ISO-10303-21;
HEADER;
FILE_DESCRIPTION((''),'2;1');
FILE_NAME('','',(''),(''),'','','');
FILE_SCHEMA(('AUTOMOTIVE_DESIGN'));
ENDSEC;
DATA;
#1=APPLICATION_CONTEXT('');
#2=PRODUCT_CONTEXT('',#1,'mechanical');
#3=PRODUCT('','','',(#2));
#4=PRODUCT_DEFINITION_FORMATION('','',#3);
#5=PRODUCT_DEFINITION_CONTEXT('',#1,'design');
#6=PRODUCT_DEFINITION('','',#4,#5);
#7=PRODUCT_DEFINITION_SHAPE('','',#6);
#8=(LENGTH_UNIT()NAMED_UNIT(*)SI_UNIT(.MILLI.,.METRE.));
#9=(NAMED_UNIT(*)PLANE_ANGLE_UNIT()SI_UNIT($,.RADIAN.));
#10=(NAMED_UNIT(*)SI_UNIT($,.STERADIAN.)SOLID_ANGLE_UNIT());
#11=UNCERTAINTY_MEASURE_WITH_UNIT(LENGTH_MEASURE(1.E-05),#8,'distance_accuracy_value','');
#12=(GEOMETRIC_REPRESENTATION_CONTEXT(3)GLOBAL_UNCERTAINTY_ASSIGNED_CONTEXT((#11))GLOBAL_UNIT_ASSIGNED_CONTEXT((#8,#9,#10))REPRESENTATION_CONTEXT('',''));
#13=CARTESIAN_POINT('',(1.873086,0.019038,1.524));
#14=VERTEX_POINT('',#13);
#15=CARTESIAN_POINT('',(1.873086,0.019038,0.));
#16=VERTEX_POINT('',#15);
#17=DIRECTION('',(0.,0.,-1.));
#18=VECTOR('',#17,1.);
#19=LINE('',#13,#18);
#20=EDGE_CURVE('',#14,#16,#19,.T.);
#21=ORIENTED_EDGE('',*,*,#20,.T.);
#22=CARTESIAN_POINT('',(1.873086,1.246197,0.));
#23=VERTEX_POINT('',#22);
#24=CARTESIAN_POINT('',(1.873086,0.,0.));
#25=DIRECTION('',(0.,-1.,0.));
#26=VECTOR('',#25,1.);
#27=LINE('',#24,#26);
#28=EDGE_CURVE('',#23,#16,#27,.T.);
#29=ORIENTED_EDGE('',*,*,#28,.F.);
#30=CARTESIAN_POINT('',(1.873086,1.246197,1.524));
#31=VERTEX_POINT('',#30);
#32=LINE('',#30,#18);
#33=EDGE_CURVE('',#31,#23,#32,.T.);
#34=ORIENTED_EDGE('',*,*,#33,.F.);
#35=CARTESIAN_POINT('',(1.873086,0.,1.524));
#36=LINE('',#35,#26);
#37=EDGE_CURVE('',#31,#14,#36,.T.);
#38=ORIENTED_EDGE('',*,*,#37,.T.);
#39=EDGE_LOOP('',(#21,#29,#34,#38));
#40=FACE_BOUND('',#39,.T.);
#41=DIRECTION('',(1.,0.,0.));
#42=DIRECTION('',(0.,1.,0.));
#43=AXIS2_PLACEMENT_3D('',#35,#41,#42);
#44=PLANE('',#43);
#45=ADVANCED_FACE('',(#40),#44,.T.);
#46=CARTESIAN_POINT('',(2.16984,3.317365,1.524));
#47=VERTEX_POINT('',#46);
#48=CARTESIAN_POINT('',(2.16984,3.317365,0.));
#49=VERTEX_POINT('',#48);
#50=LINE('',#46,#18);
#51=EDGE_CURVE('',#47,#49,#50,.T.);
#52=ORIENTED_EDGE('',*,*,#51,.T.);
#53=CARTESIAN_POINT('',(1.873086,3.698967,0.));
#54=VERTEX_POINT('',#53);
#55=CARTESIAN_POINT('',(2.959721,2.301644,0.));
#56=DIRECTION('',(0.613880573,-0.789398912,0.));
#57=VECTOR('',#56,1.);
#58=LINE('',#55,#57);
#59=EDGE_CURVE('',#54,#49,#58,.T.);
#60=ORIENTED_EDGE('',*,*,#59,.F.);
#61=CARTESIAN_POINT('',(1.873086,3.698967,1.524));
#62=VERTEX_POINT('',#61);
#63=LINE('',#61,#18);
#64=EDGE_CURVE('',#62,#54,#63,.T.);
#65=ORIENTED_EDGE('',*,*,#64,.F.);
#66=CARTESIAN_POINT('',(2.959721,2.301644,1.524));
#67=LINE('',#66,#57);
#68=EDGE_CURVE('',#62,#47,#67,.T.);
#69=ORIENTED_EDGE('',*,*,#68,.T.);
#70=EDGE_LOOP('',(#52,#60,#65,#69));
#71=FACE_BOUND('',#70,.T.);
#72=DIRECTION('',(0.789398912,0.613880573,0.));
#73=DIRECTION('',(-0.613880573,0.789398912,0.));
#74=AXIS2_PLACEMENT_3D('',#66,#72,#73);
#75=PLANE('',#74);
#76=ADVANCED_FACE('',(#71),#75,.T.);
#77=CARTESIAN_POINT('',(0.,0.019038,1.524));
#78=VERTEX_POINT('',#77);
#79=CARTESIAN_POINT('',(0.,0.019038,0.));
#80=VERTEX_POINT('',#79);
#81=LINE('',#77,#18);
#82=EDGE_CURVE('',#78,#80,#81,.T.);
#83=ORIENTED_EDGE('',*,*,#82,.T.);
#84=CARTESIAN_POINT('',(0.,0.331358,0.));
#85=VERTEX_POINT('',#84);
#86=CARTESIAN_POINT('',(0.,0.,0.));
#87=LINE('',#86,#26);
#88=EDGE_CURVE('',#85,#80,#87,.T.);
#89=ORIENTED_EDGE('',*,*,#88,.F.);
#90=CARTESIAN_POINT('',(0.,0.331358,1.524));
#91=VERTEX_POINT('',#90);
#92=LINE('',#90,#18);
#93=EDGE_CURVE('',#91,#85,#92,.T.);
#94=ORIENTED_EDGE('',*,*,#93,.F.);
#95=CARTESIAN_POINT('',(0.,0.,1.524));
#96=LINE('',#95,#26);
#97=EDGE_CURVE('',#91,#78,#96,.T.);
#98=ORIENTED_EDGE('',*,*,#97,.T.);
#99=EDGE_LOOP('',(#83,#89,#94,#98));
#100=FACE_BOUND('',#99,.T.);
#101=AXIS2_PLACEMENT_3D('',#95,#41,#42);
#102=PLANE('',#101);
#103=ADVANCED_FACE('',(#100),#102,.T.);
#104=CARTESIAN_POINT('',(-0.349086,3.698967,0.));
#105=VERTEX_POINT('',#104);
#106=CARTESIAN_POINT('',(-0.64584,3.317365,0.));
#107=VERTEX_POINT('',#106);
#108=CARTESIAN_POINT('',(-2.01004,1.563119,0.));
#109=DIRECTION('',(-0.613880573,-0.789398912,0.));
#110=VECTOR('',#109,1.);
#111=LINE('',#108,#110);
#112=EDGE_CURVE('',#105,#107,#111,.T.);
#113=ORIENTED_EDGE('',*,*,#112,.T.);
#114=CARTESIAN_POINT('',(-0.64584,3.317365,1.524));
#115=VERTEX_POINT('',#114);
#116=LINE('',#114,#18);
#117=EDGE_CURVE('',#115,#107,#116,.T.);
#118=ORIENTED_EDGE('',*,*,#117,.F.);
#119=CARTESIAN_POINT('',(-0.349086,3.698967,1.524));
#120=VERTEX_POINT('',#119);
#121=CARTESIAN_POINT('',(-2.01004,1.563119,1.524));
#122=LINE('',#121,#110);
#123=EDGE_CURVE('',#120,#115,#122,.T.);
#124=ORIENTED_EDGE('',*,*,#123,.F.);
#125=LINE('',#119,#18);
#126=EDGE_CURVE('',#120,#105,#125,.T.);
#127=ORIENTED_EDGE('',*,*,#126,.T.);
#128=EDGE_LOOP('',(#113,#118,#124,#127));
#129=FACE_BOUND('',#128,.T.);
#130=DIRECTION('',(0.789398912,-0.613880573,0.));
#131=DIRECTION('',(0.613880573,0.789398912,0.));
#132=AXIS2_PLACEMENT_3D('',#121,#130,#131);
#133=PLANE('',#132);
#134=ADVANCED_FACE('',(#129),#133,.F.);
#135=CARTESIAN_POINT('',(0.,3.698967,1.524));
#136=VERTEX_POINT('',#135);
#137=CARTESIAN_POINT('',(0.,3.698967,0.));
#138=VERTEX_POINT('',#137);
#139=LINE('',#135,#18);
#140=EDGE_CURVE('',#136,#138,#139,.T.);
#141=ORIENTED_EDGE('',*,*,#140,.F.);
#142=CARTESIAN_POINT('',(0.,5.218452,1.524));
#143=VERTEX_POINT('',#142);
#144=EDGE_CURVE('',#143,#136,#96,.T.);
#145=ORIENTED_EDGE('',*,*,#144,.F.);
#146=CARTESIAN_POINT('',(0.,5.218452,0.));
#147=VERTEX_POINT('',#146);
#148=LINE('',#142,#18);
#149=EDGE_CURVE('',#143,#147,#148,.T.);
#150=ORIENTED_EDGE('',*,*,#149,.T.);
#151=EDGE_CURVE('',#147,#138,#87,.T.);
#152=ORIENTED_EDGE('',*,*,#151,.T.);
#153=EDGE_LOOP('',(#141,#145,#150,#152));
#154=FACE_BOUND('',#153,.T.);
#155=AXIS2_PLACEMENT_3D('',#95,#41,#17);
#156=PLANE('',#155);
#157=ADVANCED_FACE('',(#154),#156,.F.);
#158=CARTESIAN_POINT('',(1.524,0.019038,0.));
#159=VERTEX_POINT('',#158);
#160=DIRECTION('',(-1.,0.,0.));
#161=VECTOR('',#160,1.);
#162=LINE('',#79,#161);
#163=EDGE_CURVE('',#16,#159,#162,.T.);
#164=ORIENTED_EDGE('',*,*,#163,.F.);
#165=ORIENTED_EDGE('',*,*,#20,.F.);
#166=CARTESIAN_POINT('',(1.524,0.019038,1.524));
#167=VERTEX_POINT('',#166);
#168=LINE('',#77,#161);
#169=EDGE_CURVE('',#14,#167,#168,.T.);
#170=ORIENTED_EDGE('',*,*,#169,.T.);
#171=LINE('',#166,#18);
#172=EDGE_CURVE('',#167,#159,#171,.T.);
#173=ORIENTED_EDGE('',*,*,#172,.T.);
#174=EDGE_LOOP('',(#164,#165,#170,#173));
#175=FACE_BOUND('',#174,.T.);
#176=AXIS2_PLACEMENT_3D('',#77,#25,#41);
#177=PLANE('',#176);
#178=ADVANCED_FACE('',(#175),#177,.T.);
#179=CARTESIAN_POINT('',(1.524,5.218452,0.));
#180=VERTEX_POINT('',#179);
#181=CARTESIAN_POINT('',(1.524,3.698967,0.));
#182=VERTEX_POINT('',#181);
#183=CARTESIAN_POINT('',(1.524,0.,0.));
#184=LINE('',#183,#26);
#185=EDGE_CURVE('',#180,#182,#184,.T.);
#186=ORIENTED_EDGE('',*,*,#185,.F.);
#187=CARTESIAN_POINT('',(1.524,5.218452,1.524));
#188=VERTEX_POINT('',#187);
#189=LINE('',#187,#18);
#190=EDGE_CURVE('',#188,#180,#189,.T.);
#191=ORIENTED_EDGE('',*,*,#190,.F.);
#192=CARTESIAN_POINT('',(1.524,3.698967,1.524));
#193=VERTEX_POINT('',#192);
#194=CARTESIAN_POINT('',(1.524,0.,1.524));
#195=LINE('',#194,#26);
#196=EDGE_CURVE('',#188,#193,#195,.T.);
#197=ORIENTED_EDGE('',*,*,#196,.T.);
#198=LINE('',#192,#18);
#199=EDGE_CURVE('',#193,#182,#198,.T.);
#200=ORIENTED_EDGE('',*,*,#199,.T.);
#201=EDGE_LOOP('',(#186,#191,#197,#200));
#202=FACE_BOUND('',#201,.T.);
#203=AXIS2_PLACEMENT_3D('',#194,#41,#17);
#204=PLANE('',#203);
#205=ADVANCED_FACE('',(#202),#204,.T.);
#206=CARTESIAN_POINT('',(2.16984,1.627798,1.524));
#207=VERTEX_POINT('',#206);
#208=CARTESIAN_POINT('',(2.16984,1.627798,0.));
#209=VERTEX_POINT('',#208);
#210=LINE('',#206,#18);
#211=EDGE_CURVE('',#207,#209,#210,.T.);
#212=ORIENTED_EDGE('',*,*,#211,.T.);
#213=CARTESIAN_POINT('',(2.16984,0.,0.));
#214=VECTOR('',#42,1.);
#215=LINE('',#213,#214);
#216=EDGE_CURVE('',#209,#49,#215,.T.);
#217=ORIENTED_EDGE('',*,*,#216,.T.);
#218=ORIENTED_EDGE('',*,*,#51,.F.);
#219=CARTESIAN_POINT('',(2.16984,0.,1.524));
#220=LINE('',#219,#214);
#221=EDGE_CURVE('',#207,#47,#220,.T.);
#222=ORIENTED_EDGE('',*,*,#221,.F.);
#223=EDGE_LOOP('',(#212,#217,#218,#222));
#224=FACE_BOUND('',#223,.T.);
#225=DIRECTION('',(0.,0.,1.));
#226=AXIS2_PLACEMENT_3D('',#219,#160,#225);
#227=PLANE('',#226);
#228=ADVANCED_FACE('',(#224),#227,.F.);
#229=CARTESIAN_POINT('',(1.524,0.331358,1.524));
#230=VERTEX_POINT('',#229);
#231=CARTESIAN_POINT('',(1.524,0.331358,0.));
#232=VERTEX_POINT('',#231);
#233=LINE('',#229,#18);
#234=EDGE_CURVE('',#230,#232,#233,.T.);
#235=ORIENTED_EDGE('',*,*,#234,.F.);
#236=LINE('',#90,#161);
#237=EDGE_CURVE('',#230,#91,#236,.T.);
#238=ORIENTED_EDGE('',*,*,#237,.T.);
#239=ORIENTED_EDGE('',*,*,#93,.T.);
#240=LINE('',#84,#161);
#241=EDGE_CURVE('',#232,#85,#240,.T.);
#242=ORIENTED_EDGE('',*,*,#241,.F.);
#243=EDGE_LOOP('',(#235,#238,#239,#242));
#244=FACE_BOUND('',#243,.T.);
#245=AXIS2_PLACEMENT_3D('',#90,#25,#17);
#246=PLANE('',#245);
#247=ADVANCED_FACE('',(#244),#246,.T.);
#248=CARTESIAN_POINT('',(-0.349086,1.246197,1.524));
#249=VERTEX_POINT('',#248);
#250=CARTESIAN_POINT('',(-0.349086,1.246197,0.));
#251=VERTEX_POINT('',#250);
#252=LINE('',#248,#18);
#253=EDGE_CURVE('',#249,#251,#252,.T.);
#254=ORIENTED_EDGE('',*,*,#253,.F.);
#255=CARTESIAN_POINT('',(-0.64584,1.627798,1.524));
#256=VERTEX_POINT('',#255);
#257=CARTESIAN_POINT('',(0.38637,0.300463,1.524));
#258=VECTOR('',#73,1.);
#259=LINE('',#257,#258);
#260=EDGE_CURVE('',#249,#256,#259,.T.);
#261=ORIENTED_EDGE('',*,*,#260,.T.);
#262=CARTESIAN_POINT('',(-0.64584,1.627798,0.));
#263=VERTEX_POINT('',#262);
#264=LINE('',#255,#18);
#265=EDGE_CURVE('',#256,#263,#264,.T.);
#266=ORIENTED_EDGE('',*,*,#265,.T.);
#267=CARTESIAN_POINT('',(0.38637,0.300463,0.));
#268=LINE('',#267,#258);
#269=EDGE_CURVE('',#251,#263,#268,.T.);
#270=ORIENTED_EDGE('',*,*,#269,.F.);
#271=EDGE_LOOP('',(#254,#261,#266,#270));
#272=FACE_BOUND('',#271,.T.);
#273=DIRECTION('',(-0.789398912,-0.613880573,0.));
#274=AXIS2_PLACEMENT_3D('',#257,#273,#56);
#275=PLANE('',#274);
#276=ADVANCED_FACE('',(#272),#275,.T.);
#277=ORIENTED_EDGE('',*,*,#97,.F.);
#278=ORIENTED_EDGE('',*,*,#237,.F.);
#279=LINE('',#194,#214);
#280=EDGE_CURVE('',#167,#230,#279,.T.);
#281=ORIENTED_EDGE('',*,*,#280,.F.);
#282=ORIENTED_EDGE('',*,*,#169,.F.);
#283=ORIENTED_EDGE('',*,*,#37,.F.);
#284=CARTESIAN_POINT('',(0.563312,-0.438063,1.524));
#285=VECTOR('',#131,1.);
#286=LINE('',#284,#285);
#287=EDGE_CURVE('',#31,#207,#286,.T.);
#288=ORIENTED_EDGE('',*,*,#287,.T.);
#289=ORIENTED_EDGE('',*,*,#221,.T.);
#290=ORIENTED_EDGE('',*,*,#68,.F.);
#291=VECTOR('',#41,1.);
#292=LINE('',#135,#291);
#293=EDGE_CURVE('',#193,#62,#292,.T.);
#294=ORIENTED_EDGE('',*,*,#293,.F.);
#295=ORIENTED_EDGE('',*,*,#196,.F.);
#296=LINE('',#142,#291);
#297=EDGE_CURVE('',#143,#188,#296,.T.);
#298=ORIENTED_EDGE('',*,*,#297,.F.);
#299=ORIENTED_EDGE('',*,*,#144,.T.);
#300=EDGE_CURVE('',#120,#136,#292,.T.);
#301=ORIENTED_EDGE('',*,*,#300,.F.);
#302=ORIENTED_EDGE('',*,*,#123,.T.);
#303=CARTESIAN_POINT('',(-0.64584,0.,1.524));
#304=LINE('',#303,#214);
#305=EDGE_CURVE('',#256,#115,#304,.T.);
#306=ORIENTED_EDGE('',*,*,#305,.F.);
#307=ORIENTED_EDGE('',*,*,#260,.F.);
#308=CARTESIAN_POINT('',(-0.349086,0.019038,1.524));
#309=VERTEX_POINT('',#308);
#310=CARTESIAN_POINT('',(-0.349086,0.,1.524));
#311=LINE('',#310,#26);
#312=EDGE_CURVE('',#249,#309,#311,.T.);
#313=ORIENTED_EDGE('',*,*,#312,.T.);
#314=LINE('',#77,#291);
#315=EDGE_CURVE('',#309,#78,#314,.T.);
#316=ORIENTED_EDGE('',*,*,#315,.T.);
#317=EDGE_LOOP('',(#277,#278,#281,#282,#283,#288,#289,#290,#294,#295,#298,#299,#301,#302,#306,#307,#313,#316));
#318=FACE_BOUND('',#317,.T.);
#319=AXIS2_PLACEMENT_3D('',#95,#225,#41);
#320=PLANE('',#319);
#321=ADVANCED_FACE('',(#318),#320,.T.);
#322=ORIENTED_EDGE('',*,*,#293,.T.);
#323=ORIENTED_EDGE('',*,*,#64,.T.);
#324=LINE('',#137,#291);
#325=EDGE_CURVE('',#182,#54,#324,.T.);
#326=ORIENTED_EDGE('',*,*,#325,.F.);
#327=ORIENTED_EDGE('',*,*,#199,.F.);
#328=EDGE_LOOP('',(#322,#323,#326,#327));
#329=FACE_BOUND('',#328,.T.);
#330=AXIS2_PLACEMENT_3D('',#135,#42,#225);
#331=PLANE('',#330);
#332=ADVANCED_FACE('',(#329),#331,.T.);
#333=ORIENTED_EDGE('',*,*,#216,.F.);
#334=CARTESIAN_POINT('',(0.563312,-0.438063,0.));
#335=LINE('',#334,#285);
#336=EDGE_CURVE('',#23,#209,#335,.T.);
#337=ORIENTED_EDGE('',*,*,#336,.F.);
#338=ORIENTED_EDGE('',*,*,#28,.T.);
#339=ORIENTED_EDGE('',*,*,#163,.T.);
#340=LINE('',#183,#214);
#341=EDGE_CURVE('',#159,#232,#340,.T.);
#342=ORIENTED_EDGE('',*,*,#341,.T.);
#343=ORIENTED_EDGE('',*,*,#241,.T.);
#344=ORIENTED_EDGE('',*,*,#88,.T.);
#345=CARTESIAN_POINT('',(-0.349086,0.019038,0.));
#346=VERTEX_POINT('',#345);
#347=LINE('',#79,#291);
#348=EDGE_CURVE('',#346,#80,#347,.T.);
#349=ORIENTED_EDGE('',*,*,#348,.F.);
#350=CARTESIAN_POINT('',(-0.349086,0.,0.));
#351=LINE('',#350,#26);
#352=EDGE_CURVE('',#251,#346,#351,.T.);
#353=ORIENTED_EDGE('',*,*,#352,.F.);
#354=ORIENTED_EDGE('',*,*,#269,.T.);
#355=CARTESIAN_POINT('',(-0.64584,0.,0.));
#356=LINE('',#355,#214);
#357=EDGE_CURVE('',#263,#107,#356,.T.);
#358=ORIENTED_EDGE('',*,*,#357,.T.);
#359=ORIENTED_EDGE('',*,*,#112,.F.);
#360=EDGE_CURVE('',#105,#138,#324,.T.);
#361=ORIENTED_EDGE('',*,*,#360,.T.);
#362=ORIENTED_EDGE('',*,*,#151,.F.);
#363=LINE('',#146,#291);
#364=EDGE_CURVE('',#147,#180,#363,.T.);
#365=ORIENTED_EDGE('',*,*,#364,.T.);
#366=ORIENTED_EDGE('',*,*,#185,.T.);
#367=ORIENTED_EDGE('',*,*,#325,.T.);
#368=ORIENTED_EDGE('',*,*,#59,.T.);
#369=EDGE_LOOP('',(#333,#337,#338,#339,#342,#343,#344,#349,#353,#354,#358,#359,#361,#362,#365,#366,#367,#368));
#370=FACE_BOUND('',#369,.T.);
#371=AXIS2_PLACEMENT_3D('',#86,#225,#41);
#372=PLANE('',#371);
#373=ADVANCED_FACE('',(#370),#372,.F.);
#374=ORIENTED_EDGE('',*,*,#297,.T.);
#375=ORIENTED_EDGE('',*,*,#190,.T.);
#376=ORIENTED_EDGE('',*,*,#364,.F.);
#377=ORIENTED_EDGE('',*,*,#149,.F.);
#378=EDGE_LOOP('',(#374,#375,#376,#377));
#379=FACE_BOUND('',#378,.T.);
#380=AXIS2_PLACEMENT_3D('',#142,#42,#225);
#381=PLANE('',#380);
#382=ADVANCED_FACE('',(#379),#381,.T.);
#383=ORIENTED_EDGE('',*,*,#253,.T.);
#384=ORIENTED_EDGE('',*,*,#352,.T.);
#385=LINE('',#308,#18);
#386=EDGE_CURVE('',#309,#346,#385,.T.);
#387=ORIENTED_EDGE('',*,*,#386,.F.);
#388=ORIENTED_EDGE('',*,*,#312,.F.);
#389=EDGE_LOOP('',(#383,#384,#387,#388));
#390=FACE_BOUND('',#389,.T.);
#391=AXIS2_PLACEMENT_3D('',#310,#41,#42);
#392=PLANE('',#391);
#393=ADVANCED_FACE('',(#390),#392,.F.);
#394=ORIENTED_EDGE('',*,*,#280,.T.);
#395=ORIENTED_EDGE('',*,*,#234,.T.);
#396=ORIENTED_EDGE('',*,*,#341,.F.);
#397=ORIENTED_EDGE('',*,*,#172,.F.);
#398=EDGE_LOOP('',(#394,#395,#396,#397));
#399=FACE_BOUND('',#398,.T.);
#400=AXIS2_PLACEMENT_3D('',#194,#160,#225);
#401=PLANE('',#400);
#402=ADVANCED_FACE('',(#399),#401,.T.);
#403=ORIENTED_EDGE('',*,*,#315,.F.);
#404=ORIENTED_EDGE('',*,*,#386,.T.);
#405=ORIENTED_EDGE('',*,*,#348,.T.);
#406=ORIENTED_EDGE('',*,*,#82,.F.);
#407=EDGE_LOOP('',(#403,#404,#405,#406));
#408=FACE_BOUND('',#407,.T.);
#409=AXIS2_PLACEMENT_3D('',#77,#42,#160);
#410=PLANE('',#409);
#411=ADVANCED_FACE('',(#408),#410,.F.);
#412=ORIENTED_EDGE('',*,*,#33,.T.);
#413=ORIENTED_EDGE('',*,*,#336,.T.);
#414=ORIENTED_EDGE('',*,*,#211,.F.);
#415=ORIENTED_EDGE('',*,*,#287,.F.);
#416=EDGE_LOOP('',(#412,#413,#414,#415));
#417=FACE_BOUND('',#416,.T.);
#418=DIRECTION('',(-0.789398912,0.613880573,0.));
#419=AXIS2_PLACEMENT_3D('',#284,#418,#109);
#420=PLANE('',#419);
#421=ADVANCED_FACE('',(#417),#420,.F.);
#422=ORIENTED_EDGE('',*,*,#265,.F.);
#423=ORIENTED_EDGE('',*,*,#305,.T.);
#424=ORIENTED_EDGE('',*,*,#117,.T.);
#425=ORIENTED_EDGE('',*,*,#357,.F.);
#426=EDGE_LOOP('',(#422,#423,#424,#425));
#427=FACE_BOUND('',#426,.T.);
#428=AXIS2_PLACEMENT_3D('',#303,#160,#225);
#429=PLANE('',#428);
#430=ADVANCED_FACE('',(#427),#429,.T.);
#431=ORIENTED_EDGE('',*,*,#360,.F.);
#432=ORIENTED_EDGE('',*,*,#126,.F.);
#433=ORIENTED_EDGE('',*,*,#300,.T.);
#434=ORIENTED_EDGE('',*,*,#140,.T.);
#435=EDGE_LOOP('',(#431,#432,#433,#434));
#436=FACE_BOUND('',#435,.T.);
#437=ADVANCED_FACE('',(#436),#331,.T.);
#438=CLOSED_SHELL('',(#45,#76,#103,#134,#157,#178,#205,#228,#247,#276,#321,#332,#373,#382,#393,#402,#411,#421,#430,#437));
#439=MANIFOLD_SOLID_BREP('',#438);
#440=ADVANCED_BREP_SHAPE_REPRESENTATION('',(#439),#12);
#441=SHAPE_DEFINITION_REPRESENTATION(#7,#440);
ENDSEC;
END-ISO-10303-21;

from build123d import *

# Parameters (mm, degrees)
BOSS_EXTRUDE1_DEPTH = 1.524


with BuildPart() as part:
    # Sketch1 → Boss-Extrude1 (new body)
    with BuildSketch(Plane.XY):
        Polygon((1.524, 0.331357602), (1.524, 0.019038457), (1.873085688, 0.019038457), (1.873085688, 1.246196741), (2.169840011, 1.627797902), (2.169840011, 3.317365369), (1.873085688, 3.69896653), (1.524, 3.69896653), (1.524, 5.218451674), (0, 5.218451674), (0, 3.69896653), (-0.349085688, 3.69896653), (-0.645840011, 3.317365369), (-0.645840011, 1.627797902), (-0.349085688, 1.246196741), (-0.349085688, 0.019038457), (0, 0.019038457), (0, 0.331357602), align=None)
    extrude(amount=BOSS_EXTRUDE1_DEPTH)


solid = part.part
